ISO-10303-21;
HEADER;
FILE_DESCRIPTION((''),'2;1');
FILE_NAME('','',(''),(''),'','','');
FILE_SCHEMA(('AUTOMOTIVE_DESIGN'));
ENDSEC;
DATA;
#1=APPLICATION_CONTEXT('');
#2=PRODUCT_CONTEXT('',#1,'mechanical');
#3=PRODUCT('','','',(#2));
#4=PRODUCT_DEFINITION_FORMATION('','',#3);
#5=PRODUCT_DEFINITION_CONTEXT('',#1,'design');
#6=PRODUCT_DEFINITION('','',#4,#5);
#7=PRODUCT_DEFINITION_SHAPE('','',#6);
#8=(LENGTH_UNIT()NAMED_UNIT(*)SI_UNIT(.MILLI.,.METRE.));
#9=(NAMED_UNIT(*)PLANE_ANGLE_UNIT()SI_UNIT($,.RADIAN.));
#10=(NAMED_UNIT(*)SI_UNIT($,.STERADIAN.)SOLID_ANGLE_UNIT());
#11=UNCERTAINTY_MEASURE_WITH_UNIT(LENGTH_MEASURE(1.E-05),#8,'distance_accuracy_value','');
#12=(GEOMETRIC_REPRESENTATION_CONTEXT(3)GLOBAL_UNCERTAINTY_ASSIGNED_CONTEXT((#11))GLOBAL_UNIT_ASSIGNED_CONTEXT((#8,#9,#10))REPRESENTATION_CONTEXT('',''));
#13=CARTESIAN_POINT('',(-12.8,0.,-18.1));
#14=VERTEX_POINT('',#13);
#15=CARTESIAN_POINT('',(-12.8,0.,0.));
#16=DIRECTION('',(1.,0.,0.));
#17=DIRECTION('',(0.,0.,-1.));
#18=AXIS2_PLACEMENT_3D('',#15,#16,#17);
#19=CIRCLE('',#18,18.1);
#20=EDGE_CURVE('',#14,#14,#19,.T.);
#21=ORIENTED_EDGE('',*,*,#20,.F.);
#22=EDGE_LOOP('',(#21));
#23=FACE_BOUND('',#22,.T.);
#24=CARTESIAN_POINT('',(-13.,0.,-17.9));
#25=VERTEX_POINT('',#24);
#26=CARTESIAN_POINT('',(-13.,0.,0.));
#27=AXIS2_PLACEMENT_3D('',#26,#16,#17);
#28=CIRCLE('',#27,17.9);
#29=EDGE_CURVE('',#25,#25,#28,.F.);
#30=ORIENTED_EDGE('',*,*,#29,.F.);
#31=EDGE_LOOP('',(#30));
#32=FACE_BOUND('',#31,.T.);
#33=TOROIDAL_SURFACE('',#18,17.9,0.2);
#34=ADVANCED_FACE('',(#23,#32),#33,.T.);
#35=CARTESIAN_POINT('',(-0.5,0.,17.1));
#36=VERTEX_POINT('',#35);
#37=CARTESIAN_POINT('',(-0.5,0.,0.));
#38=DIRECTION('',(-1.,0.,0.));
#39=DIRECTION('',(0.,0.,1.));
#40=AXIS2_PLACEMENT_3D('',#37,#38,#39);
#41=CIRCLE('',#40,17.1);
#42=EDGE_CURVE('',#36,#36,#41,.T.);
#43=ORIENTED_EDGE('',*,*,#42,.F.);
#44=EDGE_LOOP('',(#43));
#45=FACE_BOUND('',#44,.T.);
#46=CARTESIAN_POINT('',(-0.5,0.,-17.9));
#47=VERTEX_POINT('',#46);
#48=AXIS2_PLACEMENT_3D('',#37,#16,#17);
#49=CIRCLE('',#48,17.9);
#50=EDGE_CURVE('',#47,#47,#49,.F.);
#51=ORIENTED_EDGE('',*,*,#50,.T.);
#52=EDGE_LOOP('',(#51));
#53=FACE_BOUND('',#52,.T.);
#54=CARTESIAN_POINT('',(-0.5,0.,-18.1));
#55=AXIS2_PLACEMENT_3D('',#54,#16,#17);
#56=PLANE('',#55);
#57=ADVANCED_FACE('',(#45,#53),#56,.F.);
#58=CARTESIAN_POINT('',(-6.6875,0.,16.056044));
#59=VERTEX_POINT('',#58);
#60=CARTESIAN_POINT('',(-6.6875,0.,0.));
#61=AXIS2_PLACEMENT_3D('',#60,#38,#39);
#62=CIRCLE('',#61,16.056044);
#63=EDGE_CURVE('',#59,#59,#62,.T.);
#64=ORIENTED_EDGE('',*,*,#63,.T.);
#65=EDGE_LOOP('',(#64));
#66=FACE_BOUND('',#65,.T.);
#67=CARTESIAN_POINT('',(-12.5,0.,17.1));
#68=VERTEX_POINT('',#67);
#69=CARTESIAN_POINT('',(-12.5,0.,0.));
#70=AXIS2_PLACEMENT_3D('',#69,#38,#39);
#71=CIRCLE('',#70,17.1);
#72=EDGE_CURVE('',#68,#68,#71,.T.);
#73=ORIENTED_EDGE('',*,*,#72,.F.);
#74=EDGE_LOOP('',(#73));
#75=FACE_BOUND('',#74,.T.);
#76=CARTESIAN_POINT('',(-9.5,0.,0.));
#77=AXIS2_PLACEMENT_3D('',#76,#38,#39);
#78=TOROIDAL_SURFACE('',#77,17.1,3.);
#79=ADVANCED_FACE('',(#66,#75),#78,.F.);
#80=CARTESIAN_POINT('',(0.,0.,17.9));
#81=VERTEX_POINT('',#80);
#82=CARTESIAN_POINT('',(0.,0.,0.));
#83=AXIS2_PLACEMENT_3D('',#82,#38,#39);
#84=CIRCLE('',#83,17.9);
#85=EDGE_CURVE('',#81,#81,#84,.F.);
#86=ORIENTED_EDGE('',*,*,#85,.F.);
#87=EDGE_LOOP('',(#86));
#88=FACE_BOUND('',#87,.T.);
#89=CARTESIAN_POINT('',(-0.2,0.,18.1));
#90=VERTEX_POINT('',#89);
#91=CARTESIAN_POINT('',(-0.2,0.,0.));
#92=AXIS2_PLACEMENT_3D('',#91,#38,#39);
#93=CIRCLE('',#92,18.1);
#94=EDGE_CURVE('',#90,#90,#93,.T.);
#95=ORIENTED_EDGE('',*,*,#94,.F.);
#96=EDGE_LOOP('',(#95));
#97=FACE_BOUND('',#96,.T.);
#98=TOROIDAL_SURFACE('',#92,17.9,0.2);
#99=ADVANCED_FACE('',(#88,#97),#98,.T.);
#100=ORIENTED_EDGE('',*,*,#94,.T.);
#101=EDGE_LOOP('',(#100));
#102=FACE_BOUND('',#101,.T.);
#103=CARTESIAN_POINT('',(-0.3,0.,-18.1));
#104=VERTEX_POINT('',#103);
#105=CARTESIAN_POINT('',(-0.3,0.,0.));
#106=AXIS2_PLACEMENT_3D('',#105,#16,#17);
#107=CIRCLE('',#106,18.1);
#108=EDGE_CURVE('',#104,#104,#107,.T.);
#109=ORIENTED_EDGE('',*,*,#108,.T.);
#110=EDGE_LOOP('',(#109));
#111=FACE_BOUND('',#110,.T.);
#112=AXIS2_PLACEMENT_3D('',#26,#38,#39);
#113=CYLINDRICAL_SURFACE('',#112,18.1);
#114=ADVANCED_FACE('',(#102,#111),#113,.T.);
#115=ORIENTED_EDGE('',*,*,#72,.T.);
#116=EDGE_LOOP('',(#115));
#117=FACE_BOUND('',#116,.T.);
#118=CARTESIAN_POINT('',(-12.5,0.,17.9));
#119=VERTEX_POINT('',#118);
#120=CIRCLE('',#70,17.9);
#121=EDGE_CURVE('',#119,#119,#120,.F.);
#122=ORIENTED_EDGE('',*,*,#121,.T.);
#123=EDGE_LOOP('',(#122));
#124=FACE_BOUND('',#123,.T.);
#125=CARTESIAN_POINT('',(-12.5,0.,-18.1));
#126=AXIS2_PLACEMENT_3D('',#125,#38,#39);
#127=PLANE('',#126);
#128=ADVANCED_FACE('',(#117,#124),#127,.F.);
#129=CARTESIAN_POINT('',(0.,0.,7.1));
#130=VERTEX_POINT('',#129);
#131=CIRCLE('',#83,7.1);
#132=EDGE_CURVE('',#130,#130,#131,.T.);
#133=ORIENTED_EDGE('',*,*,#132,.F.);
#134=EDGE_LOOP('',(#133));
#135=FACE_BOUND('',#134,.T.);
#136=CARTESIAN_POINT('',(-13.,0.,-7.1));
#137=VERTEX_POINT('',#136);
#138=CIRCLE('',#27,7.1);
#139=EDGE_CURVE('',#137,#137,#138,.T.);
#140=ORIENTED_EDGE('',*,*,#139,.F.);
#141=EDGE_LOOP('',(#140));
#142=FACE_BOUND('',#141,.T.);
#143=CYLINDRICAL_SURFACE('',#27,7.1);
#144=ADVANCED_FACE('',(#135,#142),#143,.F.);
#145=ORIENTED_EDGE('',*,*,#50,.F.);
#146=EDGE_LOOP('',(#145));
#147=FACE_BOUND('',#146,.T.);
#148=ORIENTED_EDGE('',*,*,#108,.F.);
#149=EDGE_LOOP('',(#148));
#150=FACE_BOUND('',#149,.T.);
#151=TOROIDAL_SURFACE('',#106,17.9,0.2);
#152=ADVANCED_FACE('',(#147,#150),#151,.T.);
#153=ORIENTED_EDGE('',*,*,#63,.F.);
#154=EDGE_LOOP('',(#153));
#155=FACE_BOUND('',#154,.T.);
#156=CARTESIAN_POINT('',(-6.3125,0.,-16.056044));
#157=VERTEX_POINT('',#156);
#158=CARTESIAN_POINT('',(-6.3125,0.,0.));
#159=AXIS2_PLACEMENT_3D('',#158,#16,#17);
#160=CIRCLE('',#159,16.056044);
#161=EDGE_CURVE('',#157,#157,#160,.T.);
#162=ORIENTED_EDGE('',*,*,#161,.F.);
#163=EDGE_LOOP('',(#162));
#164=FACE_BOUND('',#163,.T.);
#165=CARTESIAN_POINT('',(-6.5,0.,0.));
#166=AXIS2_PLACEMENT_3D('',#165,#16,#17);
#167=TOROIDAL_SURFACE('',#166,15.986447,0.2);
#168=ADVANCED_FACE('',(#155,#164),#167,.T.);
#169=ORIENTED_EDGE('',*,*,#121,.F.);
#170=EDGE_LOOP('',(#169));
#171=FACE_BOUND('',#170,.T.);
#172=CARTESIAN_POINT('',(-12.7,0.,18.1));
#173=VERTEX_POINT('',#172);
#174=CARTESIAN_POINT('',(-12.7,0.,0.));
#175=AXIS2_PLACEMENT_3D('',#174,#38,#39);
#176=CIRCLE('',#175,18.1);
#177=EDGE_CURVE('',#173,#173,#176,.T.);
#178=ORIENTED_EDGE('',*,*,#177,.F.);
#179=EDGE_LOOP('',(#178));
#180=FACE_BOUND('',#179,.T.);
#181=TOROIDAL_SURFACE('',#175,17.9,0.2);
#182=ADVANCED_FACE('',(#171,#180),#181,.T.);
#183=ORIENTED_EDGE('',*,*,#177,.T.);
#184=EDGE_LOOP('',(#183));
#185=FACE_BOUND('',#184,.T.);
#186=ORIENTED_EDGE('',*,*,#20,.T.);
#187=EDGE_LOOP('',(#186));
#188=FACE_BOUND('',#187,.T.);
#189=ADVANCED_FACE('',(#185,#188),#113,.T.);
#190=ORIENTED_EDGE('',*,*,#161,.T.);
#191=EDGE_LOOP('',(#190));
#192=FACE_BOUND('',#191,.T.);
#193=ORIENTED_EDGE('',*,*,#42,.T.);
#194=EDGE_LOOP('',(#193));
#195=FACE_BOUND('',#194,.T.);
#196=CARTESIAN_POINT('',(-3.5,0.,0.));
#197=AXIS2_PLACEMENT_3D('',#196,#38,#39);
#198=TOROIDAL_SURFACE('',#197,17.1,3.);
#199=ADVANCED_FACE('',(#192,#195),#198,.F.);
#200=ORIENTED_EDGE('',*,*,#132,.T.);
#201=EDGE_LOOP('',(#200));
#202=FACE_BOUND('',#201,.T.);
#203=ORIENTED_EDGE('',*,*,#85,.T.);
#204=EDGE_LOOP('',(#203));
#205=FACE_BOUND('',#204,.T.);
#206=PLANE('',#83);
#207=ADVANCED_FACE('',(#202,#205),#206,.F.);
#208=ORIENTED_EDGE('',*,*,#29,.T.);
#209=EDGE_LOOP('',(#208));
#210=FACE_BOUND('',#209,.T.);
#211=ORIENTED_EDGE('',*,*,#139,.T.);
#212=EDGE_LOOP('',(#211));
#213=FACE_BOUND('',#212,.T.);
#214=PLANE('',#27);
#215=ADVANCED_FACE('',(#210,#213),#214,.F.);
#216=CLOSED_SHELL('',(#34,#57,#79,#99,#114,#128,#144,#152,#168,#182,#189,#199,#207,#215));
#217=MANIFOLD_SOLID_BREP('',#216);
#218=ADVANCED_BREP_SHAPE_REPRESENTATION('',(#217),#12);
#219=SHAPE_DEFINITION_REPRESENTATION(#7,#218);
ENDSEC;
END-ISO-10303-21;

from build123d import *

# Parameters (mm, degrees)
CUT_EXTRUDE1_DEPTH      = 29.709231965
CUT_EXTRUDE1_DEPTH_BACK = 29.709231965
SKETCH2_R               = 7.1
FILLET1_R               = 0.2


with BuildPart() as part:
    # Sketch1 → Revolve1 (revolve)
    with BuildSketch(Plane(origin=(0, 0, 0), x_dir=(1, 0, 0), z_dir=(0, 1, 0)), mode=Mode.PRIVATE) as revolve1_sk:
        with BuildLine():
            Line((-13, 0), (0, 0))
            Line((0, 0), (0, 18.1))
            Line((0, 18.1), (-0.5, 18.1))
            Line((-0.5, 18.1), (-0.5, 17.1))
            ThreePointArc((-0.5, 17.1), (-3.5, 14.1), (-6.5, 17.1))
            ThreePointArc((-6.5, 17.1), (-9.5, 14.1), (-12.5, 17.1))
            Line((-12.5, 17.1), (-12.5, 18.1))
            Line((-12.5, 18.1), (-13, 18.1))
            Line((-13, 18.1), (-13, 0))
        make_face()
    revolve(revolve1_sk.sketch.rotate(Axis((-13, 0, 0), (1, 0, 0)), 180), axis=Axis((-13, 0, 0), (1, 0, 0)))

    # Sketch2 → Cut-Extrude1 (cut, two sides: drawn at the far end of the back side and taken through both)
    with BuildSketch(Plane(origin=(0, 0, 0), x_dir=(0, 0, -1), z_dir=(1, 0, 0)).offset(-CUT_EXTRUDE1_DEPTH_BACK)):
        Circle(SKETCH2_R)
    extrude(amount=CUT_EXTRUDE1_DEPTH + CUT_EXTRUDE1_DEPTH_BACK, mode=Mode.SUBTRACT)

    # Fillet1
    fillet1_edges = [part.edges().sort_by_distance(p)[0] for p in [
        (-0.5, 0, -18.1),
        (0, 0, -18.1),
        (-13, 0, -18.1),
        (-12.5, 0, -18.1),
        (-6.5, 0, -17.1),
    ]]
    fillet(fillet1_edges, radius=FILLET1_R)


solid = part.part
